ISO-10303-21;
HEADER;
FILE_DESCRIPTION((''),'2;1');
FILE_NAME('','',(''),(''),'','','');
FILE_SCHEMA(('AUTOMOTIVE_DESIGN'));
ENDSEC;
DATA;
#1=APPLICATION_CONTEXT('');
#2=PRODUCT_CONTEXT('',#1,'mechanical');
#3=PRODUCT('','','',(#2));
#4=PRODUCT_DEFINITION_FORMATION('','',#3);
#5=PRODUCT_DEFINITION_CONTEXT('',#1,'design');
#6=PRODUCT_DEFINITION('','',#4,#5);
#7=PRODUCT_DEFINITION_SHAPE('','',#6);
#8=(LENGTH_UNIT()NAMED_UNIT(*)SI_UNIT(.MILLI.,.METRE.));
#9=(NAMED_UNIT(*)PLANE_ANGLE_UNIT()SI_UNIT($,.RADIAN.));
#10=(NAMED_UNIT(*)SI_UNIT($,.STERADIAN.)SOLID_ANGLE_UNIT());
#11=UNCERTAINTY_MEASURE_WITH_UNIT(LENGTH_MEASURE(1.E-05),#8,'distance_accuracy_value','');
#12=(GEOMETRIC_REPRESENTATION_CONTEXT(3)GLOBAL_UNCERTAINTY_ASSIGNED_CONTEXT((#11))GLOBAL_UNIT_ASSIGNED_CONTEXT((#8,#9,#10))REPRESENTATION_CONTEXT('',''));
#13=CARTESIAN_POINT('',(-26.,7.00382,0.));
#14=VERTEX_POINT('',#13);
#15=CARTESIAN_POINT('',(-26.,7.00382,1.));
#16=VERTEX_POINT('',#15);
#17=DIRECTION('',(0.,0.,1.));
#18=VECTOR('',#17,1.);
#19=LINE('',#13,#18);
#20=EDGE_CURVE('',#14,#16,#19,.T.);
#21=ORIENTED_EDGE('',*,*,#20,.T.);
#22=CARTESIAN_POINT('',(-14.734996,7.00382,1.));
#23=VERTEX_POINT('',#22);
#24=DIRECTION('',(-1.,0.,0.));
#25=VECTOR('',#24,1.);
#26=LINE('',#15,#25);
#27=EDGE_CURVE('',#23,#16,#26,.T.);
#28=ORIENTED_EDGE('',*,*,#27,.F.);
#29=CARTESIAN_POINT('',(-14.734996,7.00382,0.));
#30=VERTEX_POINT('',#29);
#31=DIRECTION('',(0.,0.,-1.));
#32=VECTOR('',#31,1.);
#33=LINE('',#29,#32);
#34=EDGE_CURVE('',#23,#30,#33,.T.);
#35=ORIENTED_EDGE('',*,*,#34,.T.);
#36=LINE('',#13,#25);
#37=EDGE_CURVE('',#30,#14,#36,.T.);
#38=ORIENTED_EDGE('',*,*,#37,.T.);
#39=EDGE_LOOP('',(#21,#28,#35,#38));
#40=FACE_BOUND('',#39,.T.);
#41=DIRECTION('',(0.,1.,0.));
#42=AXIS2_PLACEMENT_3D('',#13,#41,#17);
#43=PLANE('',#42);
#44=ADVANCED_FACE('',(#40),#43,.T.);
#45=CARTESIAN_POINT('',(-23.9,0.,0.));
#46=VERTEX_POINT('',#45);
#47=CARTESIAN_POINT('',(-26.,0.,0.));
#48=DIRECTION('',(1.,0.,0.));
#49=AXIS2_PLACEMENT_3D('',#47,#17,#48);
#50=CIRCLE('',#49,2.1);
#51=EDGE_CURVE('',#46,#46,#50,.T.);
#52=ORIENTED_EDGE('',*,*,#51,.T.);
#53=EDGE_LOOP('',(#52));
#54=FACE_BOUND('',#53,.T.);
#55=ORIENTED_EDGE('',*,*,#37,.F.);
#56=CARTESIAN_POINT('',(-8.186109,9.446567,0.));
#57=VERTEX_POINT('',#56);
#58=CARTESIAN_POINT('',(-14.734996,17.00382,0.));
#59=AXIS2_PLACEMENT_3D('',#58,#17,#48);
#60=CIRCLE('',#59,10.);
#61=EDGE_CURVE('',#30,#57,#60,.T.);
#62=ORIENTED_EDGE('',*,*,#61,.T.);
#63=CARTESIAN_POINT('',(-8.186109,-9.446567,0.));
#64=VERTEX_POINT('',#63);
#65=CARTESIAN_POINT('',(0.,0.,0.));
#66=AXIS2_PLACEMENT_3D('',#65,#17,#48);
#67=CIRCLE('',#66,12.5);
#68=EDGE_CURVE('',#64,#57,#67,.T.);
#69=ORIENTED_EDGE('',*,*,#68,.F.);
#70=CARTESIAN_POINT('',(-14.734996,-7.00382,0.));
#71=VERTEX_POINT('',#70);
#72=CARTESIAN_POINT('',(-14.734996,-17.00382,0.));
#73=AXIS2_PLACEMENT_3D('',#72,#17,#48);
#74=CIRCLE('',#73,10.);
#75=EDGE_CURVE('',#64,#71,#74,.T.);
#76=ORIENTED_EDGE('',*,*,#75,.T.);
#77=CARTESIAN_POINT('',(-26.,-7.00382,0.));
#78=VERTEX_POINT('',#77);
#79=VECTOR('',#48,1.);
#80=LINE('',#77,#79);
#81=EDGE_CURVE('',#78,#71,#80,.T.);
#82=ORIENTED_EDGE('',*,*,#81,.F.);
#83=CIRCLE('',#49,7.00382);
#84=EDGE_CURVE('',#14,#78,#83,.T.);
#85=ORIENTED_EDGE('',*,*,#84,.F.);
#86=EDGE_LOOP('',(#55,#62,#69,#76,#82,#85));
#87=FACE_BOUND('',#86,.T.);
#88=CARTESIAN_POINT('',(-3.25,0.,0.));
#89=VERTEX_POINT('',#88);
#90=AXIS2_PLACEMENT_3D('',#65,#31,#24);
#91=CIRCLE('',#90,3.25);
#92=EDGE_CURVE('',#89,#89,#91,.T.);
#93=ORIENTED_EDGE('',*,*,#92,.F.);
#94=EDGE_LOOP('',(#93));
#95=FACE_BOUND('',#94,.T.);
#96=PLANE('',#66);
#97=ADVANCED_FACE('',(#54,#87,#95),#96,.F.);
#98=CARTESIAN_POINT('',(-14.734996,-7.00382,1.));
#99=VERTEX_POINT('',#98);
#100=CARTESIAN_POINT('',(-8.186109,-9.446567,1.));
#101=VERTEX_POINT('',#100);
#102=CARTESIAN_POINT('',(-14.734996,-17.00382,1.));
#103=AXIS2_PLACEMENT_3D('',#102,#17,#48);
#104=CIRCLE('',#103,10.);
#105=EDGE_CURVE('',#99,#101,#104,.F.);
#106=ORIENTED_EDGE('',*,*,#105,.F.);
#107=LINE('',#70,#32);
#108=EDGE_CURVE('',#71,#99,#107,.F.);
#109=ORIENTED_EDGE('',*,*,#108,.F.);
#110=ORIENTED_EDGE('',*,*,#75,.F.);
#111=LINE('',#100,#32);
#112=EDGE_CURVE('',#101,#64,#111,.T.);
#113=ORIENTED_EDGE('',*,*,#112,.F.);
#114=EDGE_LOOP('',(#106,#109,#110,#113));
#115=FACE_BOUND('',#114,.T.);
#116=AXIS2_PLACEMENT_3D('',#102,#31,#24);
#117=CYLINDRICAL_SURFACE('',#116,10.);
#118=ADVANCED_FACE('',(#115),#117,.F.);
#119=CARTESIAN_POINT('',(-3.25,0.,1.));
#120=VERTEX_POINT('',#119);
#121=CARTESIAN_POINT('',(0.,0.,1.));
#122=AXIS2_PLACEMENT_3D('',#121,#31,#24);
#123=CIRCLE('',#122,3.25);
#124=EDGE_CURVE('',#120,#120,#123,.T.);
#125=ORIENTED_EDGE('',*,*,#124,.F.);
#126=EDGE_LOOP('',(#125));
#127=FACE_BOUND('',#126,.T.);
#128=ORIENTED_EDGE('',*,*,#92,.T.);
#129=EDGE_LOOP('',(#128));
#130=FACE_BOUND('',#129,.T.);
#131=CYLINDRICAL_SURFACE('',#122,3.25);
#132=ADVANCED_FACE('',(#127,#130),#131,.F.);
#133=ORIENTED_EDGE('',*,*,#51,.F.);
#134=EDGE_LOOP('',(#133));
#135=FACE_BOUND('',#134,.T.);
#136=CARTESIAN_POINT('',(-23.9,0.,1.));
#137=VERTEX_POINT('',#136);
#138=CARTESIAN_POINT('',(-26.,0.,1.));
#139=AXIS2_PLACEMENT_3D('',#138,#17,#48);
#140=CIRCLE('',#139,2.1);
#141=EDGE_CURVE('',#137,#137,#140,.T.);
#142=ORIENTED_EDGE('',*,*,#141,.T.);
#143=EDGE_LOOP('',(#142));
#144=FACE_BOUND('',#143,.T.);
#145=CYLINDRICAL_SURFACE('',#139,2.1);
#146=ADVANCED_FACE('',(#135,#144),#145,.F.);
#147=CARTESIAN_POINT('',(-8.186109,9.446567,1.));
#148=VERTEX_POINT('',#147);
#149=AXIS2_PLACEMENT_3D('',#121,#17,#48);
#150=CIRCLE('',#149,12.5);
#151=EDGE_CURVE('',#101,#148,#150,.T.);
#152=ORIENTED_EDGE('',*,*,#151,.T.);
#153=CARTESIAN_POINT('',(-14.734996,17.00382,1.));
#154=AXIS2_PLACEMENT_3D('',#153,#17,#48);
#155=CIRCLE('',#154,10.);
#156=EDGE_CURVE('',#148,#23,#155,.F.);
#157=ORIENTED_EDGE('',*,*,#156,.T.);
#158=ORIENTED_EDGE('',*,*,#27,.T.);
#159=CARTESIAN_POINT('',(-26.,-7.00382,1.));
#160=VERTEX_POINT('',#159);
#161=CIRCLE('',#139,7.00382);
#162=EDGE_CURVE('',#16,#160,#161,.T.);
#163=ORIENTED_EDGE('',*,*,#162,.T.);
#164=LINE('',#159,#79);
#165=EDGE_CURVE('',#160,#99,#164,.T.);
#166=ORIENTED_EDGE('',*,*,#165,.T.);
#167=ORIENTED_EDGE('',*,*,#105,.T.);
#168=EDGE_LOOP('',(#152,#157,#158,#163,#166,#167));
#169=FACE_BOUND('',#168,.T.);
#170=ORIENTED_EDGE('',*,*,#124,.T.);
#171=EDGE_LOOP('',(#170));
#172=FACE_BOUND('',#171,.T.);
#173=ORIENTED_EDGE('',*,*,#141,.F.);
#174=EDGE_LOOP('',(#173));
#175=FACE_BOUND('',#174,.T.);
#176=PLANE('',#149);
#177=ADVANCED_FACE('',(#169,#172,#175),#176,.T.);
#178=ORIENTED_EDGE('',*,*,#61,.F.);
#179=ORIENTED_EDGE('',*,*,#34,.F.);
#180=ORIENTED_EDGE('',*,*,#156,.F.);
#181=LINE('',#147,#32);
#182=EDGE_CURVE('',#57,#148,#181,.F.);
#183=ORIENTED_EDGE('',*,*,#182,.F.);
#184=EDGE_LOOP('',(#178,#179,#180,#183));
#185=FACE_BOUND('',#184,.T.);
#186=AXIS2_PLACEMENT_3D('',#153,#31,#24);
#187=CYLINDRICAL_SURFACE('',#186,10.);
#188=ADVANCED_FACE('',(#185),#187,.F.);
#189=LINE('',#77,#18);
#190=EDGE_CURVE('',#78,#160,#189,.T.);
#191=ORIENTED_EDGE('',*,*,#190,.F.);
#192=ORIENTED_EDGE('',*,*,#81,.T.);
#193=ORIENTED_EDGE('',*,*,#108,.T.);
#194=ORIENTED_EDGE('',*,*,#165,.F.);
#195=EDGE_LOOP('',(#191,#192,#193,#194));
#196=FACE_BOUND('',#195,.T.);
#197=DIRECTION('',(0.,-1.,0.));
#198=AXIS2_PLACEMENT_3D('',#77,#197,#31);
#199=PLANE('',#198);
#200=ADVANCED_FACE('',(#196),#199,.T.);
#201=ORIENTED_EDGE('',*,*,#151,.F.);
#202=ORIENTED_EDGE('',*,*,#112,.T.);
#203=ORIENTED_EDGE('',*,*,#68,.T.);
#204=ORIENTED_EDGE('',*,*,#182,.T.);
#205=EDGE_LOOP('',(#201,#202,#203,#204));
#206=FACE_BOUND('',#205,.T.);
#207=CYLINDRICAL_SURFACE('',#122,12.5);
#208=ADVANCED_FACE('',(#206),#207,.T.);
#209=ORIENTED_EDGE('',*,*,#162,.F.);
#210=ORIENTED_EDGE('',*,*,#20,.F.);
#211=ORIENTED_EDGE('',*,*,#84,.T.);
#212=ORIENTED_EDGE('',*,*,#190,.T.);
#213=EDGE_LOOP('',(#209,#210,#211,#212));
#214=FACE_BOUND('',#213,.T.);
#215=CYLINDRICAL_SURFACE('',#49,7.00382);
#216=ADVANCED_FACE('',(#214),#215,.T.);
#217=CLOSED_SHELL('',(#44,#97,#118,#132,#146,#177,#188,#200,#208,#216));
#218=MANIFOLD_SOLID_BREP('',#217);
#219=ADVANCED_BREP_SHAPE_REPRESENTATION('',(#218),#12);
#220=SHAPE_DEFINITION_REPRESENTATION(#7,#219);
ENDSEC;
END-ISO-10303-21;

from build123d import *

# Parameters (mm, degrees)
ESQUISSE1_R                               = 12.5
BOSS_EXTRU_1_DEPTH                        = 1
BOSS_EXTRU_2_DEPTH                        = 1
TROU_POUR_TARAUDAGE_POUR_TROU_TARAUD_M5_D = 4.2
ESQUISSE8_R                               = 3.25
ENL_V_MAT_EXTRU_1_DEPTH                   = 2
CONG_1_R                                  = 10


with BuildPart() as part:
    # Esquisse1 → Boss.-Extru.1 (new body)
    with BuildSketch(Plane.XY):
        Circle(ESQUISSE1_R)
    extrude(amount=BOSS_EXTRU_1_DEPTH)

    # Esquisse4 → Boss.-Extru.2 (add)
    with BuildSketch(Plane.XY.offset(1)):
        with BuildLine():
            Line((-26, 7.00382031), (-10.353574313, 7.00382031))
            ThreePointArc((-10.353574313, 7.00382031), (-12.5, 0), (-10.353574313, -7.00382031))
            Line((-10.353574313, -7.00382031), (-26, -7.00382031))
            ThreePointArc((-26, -7.00382031), (-33.00382031, 0), (-26, 7.00382031))
        make_face()
    extrude(amount=-BOSS_EXTRU_2_DEPTH)

    # Trou pour taraudage pour trou taraudé M52 (through all)
    with Locations(Plane.XY.offset(1)):
        with Locations((-26, 0)):
            Hole(TROU_POUR_TARAUDAGE_POUR_TROU_TARAUD_M5_D / 2)

    # Esquisse8 → Enlèv. mat.-Extru.1 (cut, through all)
    with BuildSketch(Plane(origin=(0, 0, 0), x_dir=(-1, 0, 0), z_dir=(0, 0, -1))):
        Circle(ESQUISSE8_R)
    extrude(amount=-ENL_V_MAT_EXTRU_1_DEPTH, mode=Mode.SUBTRACT)

    # Congé1
    cong_1_edges = [part.edges().sort_by_distance(p)[0] for p in [
        (-10.353574313, 7.00382031, 0.5),
        (-10.353574313, -7.00382031, 0.5),
    ]]
    fillet(cong_1_edges, radius=CONG_1_R)


solid = part.part
